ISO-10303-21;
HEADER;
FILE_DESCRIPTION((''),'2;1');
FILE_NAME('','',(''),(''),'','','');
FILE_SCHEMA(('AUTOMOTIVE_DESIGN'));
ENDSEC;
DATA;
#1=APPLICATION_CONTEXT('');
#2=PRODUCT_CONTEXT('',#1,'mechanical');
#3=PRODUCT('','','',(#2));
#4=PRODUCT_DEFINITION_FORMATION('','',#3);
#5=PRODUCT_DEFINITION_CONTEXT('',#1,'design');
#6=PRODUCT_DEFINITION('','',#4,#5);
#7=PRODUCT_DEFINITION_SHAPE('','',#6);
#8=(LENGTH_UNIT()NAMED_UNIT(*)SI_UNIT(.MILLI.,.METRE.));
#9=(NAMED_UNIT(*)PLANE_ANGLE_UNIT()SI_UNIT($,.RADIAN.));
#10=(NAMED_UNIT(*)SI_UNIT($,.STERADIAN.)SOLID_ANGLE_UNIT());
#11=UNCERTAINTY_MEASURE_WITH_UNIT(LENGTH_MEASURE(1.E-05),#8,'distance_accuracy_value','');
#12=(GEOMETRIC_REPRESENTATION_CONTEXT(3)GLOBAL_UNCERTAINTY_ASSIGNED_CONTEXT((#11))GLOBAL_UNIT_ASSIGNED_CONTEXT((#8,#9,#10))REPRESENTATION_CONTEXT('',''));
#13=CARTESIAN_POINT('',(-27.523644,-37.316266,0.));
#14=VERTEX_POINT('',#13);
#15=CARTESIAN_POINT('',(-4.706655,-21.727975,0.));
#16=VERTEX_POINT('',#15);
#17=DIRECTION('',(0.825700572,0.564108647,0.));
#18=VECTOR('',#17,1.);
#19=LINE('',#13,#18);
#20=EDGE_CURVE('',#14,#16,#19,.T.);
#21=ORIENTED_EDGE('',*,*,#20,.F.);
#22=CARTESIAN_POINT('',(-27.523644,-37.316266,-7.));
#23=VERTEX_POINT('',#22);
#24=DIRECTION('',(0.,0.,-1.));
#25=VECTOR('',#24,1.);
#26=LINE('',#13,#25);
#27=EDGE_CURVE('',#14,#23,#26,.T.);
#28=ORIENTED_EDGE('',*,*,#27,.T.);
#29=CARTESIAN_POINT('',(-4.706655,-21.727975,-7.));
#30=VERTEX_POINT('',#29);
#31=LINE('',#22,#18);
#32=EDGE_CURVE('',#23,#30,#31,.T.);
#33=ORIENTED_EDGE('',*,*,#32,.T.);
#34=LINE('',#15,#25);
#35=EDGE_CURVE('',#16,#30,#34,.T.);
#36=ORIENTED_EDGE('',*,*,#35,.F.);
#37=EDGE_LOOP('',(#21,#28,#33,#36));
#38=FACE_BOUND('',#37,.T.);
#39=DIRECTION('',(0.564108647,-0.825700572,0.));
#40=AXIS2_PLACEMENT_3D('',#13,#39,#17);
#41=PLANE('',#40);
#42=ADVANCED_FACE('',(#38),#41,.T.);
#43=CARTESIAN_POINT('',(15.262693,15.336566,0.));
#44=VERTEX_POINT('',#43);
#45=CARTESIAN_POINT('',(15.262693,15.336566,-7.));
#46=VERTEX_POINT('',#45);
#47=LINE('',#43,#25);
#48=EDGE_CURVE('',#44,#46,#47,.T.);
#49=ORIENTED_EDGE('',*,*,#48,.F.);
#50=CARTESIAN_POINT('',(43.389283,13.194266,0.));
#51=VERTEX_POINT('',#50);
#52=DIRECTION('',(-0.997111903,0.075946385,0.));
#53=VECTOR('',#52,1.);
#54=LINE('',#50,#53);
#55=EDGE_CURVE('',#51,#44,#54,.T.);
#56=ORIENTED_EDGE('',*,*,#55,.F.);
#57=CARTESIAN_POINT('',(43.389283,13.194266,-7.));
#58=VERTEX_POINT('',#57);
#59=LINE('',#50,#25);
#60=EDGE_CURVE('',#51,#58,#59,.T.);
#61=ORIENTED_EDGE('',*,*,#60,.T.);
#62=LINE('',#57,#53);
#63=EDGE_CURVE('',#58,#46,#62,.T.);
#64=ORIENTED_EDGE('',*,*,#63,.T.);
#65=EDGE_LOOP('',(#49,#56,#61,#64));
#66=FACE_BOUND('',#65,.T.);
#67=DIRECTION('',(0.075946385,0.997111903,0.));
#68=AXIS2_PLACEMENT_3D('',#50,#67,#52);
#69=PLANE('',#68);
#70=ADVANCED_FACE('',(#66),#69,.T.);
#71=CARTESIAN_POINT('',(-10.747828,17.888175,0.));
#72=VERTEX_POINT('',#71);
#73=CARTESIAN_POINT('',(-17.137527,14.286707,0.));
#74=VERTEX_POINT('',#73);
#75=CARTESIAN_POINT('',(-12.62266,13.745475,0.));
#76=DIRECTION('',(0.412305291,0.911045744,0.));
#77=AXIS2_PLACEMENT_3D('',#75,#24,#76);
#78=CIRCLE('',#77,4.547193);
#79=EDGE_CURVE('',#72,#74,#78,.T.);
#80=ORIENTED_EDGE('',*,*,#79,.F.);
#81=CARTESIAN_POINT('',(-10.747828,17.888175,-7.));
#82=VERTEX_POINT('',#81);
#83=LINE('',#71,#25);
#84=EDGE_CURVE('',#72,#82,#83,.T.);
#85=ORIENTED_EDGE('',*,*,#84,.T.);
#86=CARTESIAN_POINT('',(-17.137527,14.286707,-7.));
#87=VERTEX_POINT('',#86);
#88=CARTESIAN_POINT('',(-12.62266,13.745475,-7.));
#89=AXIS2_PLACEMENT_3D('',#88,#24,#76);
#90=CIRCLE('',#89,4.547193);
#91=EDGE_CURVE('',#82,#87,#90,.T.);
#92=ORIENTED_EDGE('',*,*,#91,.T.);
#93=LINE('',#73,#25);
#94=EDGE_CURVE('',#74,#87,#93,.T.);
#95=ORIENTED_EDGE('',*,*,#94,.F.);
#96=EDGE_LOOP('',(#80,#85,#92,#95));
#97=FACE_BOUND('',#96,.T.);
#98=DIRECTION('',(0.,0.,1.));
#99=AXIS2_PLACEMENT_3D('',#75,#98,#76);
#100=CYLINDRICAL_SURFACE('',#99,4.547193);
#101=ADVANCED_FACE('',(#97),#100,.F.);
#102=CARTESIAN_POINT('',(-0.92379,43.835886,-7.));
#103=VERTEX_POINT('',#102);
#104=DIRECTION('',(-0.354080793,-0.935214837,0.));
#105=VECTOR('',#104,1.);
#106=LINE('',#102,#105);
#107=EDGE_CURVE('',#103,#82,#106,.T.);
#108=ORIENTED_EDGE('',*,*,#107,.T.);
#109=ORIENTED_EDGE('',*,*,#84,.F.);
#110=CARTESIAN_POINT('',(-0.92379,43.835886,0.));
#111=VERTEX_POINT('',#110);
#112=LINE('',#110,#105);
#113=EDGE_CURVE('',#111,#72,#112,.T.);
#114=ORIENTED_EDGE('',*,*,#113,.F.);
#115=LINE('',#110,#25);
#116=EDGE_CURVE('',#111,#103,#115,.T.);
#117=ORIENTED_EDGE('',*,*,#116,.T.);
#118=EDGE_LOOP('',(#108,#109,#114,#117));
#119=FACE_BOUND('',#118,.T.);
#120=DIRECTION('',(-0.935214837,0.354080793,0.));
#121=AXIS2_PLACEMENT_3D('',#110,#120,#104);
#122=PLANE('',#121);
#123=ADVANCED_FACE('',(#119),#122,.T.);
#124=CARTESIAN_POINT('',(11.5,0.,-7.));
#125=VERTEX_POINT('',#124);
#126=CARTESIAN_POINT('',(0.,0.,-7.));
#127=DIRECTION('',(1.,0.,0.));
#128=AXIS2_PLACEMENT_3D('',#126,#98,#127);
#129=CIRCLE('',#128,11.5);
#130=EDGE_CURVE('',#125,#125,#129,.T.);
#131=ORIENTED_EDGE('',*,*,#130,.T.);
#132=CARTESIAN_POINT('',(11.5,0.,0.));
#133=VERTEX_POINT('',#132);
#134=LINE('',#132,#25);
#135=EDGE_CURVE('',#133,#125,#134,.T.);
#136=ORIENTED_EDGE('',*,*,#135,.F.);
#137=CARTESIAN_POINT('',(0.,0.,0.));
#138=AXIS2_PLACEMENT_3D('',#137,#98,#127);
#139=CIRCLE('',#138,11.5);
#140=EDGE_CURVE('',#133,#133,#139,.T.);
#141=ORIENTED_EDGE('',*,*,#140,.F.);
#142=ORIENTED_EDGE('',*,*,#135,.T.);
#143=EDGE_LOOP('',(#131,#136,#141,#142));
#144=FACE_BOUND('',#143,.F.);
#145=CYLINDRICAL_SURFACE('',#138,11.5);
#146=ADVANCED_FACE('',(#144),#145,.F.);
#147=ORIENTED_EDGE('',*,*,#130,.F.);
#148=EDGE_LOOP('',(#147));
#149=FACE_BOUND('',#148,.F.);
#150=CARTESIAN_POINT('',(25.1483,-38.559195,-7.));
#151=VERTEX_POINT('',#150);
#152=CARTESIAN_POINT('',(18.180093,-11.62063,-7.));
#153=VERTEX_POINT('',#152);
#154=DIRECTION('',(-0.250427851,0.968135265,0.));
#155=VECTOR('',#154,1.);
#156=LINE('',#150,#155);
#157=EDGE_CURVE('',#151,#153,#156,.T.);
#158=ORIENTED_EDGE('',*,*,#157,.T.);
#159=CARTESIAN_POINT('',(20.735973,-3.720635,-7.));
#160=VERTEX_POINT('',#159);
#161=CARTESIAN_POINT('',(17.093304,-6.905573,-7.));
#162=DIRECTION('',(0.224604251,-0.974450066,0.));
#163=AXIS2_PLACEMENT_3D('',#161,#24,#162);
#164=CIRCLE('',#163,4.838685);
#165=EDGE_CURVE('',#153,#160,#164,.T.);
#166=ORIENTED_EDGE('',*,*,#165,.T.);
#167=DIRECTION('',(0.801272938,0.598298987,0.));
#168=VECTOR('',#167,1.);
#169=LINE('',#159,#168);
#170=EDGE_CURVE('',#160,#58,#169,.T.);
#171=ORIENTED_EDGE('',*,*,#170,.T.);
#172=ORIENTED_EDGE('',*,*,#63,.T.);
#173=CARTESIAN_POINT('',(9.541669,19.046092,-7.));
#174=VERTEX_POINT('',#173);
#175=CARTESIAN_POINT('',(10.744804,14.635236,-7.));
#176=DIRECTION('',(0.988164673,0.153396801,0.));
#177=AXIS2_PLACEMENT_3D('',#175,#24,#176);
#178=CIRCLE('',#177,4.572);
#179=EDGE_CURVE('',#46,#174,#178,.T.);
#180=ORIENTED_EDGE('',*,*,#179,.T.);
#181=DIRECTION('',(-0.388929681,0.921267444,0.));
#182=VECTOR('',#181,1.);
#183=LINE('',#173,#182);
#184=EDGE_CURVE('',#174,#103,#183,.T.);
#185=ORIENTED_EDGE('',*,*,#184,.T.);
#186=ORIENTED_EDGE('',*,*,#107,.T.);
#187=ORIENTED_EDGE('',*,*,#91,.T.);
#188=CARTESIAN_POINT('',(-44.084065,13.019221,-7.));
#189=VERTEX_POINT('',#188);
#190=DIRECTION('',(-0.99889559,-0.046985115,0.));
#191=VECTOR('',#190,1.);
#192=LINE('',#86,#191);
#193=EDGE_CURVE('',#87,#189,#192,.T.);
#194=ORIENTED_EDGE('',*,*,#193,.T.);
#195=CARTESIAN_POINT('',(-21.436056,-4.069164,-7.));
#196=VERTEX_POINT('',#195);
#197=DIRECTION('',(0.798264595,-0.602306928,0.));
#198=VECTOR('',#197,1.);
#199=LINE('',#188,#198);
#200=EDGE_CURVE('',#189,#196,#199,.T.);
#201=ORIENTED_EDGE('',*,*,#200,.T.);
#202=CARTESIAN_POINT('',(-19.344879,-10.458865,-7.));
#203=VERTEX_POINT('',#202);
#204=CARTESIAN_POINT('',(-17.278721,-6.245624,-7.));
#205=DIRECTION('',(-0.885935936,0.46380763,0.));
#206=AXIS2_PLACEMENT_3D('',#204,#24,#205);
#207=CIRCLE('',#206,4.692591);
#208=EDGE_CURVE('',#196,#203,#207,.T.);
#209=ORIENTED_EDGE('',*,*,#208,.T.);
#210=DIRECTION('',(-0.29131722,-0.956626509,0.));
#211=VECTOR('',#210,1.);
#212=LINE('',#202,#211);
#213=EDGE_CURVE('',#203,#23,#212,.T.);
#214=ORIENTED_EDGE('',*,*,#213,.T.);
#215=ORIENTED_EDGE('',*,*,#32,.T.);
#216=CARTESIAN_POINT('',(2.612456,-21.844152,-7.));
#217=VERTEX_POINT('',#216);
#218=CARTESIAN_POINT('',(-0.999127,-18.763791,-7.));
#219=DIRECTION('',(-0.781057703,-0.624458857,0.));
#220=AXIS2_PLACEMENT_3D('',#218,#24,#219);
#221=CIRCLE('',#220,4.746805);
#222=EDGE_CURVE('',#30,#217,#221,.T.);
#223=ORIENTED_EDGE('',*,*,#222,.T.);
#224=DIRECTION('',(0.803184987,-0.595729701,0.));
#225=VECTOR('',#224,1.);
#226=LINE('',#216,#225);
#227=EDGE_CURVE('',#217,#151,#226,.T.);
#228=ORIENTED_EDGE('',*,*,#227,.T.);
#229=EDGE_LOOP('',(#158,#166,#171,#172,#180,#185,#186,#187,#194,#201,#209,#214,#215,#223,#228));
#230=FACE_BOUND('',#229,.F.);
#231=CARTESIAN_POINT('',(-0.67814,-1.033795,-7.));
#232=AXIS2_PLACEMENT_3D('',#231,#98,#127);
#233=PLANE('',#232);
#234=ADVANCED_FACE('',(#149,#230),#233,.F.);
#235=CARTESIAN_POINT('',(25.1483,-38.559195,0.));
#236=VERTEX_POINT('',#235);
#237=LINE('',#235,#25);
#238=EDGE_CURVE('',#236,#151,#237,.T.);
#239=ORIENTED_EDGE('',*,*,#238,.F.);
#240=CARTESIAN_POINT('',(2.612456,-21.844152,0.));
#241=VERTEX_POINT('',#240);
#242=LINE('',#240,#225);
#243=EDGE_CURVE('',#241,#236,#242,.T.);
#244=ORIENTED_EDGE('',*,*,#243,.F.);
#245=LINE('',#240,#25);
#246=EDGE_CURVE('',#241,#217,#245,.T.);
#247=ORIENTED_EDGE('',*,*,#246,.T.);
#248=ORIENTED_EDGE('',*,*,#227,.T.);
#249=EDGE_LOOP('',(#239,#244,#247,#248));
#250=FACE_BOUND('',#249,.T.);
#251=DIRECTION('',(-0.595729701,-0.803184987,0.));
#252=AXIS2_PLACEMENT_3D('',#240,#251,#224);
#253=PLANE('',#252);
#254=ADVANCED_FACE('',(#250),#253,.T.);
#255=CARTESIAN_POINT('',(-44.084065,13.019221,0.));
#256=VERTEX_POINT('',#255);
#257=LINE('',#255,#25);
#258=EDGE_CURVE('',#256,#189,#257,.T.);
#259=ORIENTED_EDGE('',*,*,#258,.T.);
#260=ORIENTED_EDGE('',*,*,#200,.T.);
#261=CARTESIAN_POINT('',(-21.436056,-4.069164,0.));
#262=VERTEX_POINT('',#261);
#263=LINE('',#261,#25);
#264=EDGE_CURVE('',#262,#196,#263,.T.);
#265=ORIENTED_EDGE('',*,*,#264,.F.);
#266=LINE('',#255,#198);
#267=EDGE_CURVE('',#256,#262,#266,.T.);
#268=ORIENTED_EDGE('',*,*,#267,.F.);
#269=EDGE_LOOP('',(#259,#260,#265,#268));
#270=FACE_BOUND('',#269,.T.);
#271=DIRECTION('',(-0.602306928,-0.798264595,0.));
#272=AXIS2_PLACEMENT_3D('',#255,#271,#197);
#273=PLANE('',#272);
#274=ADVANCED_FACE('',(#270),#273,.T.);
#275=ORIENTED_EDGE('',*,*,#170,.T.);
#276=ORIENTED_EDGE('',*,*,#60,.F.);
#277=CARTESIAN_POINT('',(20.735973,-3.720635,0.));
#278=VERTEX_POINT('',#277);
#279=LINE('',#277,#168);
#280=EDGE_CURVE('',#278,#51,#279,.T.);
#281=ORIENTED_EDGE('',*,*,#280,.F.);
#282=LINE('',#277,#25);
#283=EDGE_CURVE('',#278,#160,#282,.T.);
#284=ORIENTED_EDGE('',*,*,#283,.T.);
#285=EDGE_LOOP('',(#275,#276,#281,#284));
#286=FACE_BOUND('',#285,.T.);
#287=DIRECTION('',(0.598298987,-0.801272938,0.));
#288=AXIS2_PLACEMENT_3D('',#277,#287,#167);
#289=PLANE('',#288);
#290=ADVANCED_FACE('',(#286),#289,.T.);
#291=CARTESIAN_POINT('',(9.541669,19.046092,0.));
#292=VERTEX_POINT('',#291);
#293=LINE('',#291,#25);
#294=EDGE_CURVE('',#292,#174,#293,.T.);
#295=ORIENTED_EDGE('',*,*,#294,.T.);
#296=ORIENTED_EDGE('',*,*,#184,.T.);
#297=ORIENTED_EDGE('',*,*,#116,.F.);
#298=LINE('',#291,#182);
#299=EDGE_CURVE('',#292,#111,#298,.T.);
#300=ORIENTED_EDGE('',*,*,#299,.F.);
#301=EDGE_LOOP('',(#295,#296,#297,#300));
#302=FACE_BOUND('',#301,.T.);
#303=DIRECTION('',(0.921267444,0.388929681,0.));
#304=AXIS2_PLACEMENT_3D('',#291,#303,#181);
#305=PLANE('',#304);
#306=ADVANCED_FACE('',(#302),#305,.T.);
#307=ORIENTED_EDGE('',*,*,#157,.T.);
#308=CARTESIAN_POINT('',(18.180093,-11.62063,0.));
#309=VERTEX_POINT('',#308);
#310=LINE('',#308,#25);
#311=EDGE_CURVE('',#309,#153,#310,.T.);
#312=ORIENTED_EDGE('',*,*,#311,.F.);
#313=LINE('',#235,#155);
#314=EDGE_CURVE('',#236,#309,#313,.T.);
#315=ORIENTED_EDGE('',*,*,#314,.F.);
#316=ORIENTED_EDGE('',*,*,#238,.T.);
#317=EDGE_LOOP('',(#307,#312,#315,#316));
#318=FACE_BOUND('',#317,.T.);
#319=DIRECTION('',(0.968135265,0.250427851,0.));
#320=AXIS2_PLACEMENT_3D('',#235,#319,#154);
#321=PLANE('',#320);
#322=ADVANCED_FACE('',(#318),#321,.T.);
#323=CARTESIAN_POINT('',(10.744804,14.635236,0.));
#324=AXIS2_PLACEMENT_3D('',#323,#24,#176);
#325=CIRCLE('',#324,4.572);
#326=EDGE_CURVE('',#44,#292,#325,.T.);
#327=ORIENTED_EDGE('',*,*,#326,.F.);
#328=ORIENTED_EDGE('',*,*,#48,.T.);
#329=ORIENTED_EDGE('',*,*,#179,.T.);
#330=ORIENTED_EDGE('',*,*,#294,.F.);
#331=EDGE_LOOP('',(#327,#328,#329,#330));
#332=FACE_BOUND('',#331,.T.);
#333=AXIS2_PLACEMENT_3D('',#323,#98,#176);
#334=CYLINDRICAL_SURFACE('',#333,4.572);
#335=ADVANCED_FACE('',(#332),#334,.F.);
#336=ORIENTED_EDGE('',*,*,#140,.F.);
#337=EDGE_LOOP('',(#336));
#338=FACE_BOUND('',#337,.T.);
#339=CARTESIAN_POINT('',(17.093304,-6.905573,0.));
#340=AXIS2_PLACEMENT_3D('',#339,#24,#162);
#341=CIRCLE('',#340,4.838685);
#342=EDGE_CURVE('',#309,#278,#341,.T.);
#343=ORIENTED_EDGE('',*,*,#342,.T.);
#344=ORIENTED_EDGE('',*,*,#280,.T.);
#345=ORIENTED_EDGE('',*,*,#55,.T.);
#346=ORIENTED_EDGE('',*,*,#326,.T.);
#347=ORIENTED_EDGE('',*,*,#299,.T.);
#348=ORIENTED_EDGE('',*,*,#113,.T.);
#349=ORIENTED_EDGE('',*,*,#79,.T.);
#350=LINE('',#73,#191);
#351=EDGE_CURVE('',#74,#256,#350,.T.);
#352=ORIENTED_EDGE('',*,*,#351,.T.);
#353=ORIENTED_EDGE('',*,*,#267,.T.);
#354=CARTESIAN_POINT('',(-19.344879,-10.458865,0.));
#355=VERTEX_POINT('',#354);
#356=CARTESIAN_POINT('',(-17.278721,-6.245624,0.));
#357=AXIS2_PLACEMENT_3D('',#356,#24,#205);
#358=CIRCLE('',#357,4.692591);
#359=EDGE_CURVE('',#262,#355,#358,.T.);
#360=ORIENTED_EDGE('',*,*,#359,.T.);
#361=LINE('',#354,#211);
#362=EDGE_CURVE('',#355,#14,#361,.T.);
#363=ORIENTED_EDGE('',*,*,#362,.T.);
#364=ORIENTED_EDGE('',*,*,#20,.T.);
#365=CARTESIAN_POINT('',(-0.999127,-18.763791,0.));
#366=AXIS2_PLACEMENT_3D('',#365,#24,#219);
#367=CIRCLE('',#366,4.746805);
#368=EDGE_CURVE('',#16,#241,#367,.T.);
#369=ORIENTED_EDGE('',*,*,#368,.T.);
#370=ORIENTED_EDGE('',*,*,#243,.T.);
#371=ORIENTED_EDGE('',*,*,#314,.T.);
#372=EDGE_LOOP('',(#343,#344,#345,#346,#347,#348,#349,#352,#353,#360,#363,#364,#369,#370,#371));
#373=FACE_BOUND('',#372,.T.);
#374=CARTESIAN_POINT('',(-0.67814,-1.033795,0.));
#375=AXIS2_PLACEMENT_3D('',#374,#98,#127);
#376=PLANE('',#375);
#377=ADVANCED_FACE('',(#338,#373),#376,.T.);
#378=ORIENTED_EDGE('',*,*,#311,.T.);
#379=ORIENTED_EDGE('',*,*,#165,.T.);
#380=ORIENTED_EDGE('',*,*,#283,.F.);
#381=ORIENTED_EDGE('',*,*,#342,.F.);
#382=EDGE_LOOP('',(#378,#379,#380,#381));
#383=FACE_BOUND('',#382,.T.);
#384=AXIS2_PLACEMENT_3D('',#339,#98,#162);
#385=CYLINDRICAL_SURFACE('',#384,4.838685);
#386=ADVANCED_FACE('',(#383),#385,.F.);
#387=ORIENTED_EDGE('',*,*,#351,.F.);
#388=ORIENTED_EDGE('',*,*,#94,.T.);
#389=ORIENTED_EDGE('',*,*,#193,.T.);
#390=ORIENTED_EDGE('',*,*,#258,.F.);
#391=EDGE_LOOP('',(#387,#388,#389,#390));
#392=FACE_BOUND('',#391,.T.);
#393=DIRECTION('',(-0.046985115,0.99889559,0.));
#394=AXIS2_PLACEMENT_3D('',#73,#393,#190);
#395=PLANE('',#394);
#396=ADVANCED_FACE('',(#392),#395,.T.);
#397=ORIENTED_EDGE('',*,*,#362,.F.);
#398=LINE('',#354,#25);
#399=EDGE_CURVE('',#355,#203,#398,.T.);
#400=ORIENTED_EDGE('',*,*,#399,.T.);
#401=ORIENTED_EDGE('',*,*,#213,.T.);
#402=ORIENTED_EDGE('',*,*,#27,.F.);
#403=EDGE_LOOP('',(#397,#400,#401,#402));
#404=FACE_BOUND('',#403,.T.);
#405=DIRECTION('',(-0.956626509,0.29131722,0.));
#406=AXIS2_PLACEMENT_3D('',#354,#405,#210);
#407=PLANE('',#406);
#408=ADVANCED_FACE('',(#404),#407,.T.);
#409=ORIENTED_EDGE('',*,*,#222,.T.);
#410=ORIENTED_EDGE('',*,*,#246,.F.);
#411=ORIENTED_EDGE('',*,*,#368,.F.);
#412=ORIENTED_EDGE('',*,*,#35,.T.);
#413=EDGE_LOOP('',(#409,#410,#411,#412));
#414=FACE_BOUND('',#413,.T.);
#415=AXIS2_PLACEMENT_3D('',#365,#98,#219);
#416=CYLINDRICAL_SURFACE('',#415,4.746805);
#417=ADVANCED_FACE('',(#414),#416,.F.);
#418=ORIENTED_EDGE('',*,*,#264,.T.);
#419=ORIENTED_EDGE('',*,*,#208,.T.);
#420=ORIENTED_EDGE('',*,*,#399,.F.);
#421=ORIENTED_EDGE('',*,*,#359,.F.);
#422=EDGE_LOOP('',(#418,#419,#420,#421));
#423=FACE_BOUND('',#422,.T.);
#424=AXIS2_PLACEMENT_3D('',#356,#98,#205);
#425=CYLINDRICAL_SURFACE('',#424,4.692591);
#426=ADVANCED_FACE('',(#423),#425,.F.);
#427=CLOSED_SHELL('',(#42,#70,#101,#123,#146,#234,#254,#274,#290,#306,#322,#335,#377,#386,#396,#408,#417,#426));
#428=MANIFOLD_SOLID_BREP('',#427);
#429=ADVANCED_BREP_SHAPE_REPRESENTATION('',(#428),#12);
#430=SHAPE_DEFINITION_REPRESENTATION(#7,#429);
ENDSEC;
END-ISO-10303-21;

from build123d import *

# Parameters (mm, degrees)
F2_DEPTH = 7
F3_R     = 11.5
F4_DEPTH = 25.4


with BuildPart() as f2:
    # F1 (on Top) → F2 (new body)
    with BuildSketch(Plane.XY):
        with BuildLine():
            ThreePointArc((-10.747828, 17.888175), (-10.389928, 9.784178), (-17.137527, 14.286707))
            Line((-17.137527, 14.286707), (-44.084065, 13.019221))
            Line((-44.084065, 13.019221), (-21.436056, -4.069164))
            ThreePointArc((-21.436056, -4.069164), (-12.818896, -4.786043), (-19.344879, -10.458865))
            Line((-19.344879, -10.458865), (-27.523644, -37.316266))
            Line((-27.523644, -37.316266), (-4.706655, -21.727975))
            ThreePointArc((-4.706655, -21.727975), (-0.92379, -14.017584), (2.612456, -21.844152))
            Line((2.612456, -21.844152), (25.1483, -38.559195))
            Line((25.1483, -38.559195), (18.180093, -11.62063))
            ThreePointArc((18.180093, -11.62063), (12.489564, -5.416127), (20.735973, -3.720635))
            Line((20.735973, -3.720635), (43.389283, 13.194266))
            Line((43.389283, 13.194266), (15.262693, 15.336566))
            ThreePointArc((15.262693, 15.336566), (8.257426, 10.799074), (9.541669, 19.046092))
            Line((9.541669, 19.046092), (-0.92379, 43.835886))
            Line((-0.92379, 43.835886), (-10.747828, 17.888175))
        make_face()
    extrude(amount=-F2_DEPTH)

    # F3 (on face) → F4 (cut)
    with BuildSketch(Plane.XY):
        Circle(F3_R)
    extrude(amount=-F4_DEPTH, mode=Mode.SUBTRACT)


solid = f2.part
